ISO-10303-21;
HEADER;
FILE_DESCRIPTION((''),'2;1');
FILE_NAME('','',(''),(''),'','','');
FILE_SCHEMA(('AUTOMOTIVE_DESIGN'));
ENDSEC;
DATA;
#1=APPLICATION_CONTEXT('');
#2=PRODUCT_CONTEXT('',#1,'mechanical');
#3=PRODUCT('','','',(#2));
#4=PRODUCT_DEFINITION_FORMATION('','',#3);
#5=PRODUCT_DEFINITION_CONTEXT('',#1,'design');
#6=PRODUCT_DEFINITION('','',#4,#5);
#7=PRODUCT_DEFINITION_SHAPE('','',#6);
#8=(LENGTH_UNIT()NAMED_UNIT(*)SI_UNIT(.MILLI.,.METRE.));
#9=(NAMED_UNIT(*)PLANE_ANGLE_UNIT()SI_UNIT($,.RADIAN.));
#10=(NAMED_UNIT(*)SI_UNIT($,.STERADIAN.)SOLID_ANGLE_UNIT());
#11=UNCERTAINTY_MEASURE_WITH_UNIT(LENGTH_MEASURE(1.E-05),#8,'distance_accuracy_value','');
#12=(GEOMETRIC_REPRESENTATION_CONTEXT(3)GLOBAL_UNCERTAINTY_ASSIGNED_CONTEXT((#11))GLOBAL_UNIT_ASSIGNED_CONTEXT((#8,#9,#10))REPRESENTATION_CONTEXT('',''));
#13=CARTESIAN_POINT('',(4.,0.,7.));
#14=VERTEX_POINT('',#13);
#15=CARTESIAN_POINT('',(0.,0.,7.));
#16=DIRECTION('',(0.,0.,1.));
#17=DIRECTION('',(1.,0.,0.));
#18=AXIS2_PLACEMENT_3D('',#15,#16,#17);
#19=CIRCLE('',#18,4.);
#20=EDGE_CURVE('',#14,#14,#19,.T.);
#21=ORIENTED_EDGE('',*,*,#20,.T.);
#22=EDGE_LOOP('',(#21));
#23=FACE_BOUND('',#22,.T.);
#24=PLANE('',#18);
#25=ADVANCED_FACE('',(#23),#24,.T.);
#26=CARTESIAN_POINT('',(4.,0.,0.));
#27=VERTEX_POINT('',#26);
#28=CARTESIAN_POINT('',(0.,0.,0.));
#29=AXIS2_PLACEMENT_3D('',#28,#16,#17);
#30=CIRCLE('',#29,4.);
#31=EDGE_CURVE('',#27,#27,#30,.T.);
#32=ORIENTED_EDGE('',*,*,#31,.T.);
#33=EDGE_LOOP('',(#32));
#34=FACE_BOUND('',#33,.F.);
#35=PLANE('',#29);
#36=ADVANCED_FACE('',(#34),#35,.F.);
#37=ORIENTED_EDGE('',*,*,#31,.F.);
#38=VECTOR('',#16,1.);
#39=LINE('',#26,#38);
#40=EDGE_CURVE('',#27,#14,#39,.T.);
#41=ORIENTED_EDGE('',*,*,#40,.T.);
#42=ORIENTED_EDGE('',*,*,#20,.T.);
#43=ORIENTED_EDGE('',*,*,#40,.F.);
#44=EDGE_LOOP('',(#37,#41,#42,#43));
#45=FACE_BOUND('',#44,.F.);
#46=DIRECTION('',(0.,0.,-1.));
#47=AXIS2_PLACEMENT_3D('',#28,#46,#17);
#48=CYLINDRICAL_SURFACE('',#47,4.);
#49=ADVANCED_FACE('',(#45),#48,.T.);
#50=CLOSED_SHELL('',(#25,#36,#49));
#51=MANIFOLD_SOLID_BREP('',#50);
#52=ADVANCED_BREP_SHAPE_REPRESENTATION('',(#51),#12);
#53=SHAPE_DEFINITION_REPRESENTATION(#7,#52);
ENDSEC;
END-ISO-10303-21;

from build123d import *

# Parameters (mm, degrees)
CYLINDER_R     = 4
CYLINDER_DEPTH = 7


with BuildPart() as part:
    # Cylinder → Cylinder (new body)
    with BuildSketch(Plane.XY):
        Circle(CYLINDER_R)
    extrude(amount=CYLINDER_DEPTH)


solid = part.part
